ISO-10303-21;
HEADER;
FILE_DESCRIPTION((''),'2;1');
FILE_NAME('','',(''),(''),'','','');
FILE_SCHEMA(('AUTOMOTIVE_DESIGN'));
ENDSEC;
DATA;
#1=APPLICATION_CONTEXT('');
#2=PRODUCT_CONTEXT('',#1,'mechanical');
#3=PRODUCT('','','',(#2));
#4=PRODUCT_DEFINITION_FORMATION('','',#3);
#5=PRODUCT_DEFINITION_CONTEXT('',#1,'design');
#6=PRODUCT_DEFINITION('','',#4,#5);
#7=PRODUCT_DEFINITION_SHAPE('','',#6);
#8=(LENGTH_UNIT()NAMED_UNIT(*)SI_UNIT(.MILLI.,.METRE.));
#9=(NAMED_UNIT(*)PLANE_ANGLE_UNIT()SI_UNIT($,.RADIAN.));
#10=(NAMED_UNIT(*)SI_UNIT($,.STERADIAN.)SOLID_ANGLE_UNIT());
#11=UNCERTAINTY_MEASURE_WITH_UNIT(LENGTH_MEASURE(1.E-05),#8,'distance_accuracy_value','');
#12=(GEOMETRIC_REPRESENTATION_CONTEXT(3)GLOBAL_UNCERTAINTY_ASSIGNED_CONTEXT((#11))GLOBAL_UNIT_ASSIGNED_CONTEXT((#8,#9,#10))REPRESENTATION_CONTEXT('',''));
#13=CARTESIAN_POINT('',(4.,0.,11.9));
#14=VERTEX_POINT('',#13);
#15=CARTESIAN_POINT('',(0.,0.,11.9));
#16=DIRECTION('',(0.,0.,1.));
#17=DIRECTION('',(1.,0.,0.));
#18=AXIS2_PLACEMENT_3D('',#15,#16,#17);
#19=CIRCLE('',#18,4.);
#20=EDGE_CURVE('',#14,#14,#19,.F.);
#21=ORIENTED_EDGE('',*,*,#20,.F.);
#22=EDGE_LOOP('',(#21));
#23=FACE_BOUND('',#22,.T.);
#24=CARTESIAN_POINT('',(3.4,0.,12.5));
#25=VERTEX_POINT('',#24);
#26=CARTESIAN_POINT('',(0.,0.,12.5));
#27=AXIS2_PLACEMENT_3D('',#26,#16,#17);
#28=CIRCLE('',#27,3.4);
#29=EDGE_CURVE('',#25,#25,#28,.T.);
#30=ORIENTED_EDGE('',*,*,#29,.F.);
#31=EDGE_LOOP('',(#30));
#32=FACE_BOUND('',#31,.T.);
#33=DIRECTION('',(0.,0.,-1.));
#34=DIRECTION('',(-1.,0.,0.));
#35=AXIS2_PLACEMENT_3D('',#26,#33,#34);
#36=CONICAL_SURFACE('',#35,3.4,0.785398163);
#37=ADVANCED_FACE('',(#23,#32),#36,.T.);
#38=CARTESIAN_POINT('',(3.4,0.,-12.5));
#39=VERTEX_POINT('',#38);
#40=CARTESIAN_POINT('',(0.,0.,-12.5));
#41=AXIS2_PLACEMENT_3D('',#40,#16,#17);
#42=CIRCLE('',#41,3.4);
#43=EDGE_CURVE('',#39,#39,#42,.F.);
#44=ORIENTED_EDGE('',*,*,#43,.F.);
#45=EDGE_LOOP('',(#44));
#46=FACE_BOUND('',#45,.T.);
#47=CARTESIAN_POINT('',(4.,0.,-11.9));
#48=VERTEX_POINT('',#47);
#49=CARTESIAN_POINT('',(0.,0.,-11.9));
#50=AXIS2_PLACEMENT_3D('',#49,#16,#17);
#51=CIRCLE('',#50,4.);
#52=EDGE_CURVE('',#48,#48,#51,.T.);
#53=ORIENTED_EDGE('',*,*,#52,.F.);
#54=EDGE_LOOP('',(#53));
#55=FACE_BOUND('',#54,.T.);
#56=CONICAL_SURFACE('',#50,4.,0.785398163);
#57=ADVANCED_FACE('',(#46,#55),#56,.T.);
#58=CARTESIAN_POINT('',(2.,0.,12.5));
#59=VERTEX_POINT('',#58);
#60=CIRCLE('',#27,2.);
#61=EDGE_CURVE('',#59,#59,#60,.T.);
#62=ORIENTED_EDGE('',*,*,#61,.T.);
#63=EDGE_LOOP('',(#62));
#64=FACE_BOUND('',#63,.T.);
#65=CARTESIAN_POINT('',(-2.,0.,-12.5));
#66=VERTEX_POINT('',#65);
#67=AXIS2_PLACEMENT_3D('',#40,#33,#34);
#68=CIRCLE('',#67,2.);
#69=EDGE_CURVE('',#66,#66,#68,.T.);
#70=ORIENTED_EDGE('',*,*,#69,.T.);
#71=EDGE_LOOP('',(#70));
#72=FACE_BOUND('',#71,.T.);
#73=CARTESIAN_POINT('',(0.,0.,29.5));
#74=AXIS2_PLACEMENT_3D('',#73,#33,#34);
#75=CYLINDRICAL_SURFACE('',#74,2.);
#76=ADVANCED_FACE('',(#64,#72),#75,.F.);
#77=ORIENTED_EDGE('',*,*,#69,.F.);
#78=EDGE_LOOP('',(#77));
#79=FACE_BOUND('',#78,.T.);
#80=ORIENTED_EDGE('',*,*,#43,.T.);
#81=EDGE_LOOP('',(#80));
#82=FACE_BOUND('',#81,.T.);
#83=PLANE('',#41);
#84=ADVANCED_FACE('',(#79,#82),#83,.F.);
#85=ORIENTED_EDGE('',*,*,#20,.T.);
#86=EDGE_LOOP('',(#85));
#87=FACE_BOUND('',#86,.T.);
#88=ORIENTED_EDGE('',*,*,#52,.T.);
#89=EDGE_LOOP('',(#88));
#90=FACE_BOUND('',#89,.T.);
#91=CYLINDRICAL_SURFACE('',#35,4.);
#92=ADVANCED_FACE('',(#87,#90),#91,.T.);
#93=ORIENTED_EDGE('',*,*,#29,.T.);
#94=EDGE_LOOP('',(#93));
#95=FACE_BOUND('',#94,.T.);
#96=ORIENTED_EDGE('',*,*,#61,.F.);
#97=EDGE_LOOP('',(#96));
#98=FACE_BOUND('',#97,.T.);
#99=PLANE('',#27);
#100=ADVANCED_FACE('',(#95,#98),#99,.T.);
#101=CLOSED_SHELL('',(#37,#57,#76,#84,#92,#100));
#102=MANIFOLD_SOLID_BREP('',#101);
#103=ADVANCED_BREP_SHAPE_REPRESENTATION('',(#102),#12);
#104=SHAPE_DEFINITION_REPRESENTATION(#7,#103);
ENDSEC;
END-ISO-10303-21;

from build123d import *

# Parameters (mm, degrees)
BOSS_EXTRUDE1_DEPTH      = 12.5
BOSS_EXTRUDE1_DEPTH_BACK = 12.5
SKETCH3_R                = 4
CHAMFER1_SIZE            = 0.6
SKETCH4_R                = 2
CUT_EXTRUDE1_DEPTH       = 42


with BuildPart() as part:
    # Sketch3 → Boss-Extrude1 (new, two sides: drawn at the far end of the back side and taken through both)
    with BuildSketch(Plane.XY.offset(-BOSS_EXTRUDE1_DEPTH_BACK)):
        Circle(SKETCH3_R)
    extrude(amount=BOSS_EXTRUDE1_DEPTH + BOSS_EXTRUDE1_DEPTH_BACK)

    # Chamfer1
    chamfer1_edges = [part.edges().sort_by_distance(p)[0] for p in [
        (-4, 0, -12.5),
        (-4, 0, 12.5),
    ]]
    chamfer(chamfer1_edges, length=CHAMFER1_SIZE)

    # Sketch4 → Cut-Extrude1 (cut)
    with BuildSketch(Plane(origin=(0, 0, -12.5), x_dir=(-1, 0, 0), z_dir=(0, 0, -1))):
        Circle(SKETCH4_R)
    extrude(amount=-CUT_EXTRUDE1_DEPTH, mode=Mode.SUBTRACT)


solid = part.part
